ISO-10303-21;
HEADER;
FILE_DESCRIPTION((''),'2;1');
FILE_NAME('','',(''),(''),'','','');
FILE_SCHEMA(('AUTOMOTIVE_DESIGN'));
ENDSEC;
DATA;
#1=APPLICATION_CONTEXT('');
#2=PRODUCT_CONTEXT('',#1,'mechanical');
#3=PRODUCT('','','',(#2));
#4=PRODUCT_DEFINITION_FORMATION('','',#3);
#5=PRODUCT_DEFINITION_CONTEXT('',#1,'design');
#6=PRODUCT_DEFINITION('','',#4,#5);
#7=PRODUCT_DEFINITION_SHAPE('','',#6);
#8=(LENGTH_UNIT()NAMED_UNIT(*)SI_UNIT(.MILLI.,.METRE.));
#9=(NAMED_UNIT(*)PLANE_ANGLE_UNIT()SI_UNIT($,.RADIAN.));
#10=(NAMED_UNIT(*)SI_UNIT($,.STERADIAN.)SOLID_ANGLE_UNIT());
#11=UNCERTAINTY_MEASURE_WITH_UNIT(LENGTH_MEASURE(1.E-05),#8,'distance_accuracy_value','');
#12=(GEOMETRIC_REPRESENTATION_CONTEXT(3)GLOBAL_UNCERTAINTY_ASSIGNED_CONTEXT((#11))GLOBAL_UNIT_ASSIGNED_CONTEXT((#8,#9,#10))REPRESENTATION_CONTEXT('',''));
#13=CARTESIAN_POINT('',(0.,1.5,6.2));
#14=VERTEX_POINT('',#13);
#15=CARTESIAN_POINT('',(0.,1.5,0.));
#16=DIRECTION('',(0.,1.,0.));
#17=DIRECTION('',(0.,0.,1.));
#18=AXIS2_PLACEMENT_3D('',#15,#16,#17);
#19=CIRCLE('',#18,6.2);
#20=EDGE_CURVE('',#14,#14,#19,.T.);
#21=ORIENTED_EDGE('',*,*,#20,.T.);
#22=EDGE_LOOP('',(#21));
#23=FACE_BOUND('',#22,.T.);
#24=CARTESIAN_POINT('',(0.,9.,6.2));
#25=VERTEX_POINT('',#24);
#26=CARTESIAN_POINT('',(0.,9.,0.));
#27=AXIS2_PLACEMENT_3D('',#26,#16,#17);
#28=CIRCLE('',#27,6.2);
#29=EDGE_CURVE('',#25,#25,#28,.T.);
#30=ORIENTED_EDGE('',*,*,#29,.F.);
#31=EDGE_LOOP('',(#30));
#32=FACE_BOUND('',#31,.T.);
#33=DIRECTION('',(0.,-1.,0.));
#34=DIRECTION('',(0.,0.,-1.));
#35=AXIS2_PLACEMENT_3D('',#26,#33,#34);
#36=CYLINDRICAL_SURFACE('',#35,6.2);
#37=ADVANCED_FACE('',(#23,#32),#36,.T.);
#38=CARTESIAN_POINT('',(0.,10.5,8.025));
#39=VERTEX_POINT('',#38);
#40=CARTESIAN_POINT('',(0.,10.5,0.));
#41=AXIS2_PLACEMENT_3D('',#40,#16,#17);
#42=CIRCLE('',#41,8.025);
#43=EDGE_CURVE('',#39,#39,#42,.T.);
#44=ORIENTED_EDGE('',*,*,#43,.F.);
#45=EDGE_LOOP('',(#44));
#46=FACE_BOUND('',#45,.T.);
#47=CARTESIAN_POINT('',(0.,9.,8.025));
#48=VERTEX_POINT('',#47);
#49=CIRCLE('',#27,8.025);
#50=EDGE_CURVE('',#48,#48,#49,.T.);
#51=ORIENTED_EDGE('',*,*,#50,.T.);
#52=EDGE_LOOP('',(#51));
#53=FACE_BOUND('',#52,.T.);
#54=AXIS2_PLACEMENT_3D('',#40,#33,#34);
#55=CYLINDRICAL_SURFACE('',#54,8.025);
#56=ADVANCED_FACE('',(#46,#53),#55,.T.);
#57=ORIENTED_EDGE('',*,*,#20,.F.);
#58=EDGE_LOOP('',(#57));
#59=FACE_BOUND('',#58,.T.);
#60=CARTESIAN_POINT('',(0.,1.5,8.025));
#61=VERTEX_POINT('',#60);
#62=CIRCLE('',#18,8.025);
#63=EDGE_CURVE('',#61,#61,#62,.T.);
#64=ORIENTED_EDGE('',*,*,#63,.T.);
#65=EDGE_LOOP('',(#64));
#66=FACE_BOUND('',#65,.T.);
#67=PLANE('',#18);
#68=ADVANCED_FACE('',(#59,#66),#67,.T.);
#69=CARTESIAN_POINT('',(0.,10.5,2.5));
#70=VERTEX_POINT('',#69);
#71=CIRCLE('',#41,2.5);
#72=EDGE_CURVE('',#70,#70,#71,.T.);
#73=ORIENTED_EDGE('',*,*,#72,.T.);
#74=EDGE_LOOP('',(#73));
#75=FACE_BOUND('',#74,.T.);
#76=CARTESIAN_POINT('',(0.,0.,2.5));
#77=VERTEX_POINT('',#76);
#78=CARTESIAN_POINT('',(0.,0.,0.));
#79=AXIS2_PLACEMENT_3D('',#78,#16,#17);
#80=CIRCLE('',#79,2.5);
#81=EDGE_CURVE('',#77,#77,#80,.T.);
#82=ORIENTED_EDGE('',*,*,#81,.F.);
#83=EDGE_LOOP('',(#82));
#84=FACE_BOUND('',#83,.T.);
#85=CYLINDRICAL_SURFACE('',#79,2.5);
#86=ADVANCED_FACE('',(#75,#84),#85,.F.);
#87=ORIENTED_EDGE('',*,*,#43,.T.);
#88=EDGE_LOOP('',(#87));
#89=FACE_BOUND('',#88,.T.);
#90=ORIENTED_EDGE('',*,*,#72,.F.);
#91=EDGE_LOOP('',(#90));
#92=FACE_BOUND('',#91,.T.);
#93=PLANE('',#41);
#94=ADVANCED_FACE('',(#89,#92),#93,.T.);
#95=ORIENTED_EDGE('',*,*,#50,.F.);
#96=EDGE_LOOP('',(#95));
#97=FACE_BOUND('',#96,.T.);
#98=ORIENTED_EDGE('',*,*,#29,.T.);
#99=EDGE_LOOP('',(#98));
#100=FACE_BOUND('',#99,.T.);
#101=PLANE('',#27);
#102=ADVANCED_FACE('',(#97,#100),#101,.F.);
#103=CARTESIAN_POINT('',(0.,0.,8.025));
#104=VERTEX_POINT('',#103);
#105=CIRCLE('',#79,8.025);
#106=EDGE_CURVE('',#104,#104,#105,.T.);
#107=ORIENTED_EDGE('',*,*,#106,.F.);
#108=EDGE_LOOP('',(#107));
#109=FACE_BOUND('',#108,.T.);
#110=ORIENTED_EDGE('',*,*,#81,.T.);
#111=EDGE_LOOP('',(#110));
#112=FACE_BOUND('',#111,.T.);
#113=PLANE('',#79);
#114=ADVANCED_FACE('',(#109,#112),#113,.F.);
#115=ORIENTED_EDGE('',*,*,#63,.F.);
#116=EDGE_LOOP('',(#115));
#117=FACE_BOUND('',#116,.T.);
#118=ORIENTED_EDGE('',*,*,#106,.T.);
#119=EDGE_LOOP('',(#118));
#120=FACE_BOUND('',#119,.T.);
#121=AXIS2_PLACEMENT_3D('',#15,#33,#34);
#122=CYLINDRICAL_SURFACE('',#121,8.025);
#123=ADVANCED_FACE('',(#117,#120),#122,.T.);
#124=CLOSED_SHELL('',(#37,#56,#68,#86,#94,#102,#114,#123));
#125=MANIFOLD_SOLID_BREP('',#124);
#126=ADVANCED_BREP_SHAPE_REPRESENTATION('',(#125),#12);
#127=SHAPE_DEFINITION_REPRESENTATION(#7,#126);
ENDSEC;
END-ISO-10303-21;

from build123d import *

# Parameters (mm, degrees)
SKETCH1_R           = 8.025
BOSS_EXTRUDE1_DEPTH = 1.5
SKETCH2_R           = 6.2
BOSS_EXTRUDE2_DEPTH = 7.5
SKETCH3_R           = 8.025
BOSS_EXTRUDE3_DEPTH = 1.5
SKETCH4_R           = 2.5
CUT_EXTRUDE1_DEPTH  = 11.5


with BuildPart() as part:
    # Sketch1 → Boss-Extrude1 (new body)
    with BuildSketch(Plane(origin=(0, 0, 0), x_dir=(1, 0, 0), z_dir=(0, 1, 0))):
        Circle(SKETCH1_R)
    extrude(amount=BOSS_EXTRUDE1_DEPTH)

    # Sketch2 → Boss-Extrude2 (add)
    with BuildSketch(Plane(origin=(0, 1.5, 0), x_dir=(1, 0, 0), z_dir=(0, 1, 0))):
        Circle(SKETCH2_R)
    extrude(amount=BOSS_EXTRUDE2_DEPTH)

    # Sketch3 → Boss-Extrude3 (add)
    with BuildSketch(Plane(origin=(0, 9, 0), x_dir=(1, 0, 0), z_dir=(0, 1, 0))):
        Circle(SKETCH3_R)
    extrude(amount=BOSS_EXTRUDE3_DEPTH)

    # Sketch4 → Cut-Extrude1 (cut, through all)
    with BuildSketch(Plane(origin=(0, 10.5, 0), x_dir=(1, 0, 0), z_dir=(0, 1, 0))):
        Circle(SKETCH4_R)
    extrude(amount=-CUT_EXTRUDE1_DEPTH, mode=Mode.SUBTRACT)


solid = part.part
